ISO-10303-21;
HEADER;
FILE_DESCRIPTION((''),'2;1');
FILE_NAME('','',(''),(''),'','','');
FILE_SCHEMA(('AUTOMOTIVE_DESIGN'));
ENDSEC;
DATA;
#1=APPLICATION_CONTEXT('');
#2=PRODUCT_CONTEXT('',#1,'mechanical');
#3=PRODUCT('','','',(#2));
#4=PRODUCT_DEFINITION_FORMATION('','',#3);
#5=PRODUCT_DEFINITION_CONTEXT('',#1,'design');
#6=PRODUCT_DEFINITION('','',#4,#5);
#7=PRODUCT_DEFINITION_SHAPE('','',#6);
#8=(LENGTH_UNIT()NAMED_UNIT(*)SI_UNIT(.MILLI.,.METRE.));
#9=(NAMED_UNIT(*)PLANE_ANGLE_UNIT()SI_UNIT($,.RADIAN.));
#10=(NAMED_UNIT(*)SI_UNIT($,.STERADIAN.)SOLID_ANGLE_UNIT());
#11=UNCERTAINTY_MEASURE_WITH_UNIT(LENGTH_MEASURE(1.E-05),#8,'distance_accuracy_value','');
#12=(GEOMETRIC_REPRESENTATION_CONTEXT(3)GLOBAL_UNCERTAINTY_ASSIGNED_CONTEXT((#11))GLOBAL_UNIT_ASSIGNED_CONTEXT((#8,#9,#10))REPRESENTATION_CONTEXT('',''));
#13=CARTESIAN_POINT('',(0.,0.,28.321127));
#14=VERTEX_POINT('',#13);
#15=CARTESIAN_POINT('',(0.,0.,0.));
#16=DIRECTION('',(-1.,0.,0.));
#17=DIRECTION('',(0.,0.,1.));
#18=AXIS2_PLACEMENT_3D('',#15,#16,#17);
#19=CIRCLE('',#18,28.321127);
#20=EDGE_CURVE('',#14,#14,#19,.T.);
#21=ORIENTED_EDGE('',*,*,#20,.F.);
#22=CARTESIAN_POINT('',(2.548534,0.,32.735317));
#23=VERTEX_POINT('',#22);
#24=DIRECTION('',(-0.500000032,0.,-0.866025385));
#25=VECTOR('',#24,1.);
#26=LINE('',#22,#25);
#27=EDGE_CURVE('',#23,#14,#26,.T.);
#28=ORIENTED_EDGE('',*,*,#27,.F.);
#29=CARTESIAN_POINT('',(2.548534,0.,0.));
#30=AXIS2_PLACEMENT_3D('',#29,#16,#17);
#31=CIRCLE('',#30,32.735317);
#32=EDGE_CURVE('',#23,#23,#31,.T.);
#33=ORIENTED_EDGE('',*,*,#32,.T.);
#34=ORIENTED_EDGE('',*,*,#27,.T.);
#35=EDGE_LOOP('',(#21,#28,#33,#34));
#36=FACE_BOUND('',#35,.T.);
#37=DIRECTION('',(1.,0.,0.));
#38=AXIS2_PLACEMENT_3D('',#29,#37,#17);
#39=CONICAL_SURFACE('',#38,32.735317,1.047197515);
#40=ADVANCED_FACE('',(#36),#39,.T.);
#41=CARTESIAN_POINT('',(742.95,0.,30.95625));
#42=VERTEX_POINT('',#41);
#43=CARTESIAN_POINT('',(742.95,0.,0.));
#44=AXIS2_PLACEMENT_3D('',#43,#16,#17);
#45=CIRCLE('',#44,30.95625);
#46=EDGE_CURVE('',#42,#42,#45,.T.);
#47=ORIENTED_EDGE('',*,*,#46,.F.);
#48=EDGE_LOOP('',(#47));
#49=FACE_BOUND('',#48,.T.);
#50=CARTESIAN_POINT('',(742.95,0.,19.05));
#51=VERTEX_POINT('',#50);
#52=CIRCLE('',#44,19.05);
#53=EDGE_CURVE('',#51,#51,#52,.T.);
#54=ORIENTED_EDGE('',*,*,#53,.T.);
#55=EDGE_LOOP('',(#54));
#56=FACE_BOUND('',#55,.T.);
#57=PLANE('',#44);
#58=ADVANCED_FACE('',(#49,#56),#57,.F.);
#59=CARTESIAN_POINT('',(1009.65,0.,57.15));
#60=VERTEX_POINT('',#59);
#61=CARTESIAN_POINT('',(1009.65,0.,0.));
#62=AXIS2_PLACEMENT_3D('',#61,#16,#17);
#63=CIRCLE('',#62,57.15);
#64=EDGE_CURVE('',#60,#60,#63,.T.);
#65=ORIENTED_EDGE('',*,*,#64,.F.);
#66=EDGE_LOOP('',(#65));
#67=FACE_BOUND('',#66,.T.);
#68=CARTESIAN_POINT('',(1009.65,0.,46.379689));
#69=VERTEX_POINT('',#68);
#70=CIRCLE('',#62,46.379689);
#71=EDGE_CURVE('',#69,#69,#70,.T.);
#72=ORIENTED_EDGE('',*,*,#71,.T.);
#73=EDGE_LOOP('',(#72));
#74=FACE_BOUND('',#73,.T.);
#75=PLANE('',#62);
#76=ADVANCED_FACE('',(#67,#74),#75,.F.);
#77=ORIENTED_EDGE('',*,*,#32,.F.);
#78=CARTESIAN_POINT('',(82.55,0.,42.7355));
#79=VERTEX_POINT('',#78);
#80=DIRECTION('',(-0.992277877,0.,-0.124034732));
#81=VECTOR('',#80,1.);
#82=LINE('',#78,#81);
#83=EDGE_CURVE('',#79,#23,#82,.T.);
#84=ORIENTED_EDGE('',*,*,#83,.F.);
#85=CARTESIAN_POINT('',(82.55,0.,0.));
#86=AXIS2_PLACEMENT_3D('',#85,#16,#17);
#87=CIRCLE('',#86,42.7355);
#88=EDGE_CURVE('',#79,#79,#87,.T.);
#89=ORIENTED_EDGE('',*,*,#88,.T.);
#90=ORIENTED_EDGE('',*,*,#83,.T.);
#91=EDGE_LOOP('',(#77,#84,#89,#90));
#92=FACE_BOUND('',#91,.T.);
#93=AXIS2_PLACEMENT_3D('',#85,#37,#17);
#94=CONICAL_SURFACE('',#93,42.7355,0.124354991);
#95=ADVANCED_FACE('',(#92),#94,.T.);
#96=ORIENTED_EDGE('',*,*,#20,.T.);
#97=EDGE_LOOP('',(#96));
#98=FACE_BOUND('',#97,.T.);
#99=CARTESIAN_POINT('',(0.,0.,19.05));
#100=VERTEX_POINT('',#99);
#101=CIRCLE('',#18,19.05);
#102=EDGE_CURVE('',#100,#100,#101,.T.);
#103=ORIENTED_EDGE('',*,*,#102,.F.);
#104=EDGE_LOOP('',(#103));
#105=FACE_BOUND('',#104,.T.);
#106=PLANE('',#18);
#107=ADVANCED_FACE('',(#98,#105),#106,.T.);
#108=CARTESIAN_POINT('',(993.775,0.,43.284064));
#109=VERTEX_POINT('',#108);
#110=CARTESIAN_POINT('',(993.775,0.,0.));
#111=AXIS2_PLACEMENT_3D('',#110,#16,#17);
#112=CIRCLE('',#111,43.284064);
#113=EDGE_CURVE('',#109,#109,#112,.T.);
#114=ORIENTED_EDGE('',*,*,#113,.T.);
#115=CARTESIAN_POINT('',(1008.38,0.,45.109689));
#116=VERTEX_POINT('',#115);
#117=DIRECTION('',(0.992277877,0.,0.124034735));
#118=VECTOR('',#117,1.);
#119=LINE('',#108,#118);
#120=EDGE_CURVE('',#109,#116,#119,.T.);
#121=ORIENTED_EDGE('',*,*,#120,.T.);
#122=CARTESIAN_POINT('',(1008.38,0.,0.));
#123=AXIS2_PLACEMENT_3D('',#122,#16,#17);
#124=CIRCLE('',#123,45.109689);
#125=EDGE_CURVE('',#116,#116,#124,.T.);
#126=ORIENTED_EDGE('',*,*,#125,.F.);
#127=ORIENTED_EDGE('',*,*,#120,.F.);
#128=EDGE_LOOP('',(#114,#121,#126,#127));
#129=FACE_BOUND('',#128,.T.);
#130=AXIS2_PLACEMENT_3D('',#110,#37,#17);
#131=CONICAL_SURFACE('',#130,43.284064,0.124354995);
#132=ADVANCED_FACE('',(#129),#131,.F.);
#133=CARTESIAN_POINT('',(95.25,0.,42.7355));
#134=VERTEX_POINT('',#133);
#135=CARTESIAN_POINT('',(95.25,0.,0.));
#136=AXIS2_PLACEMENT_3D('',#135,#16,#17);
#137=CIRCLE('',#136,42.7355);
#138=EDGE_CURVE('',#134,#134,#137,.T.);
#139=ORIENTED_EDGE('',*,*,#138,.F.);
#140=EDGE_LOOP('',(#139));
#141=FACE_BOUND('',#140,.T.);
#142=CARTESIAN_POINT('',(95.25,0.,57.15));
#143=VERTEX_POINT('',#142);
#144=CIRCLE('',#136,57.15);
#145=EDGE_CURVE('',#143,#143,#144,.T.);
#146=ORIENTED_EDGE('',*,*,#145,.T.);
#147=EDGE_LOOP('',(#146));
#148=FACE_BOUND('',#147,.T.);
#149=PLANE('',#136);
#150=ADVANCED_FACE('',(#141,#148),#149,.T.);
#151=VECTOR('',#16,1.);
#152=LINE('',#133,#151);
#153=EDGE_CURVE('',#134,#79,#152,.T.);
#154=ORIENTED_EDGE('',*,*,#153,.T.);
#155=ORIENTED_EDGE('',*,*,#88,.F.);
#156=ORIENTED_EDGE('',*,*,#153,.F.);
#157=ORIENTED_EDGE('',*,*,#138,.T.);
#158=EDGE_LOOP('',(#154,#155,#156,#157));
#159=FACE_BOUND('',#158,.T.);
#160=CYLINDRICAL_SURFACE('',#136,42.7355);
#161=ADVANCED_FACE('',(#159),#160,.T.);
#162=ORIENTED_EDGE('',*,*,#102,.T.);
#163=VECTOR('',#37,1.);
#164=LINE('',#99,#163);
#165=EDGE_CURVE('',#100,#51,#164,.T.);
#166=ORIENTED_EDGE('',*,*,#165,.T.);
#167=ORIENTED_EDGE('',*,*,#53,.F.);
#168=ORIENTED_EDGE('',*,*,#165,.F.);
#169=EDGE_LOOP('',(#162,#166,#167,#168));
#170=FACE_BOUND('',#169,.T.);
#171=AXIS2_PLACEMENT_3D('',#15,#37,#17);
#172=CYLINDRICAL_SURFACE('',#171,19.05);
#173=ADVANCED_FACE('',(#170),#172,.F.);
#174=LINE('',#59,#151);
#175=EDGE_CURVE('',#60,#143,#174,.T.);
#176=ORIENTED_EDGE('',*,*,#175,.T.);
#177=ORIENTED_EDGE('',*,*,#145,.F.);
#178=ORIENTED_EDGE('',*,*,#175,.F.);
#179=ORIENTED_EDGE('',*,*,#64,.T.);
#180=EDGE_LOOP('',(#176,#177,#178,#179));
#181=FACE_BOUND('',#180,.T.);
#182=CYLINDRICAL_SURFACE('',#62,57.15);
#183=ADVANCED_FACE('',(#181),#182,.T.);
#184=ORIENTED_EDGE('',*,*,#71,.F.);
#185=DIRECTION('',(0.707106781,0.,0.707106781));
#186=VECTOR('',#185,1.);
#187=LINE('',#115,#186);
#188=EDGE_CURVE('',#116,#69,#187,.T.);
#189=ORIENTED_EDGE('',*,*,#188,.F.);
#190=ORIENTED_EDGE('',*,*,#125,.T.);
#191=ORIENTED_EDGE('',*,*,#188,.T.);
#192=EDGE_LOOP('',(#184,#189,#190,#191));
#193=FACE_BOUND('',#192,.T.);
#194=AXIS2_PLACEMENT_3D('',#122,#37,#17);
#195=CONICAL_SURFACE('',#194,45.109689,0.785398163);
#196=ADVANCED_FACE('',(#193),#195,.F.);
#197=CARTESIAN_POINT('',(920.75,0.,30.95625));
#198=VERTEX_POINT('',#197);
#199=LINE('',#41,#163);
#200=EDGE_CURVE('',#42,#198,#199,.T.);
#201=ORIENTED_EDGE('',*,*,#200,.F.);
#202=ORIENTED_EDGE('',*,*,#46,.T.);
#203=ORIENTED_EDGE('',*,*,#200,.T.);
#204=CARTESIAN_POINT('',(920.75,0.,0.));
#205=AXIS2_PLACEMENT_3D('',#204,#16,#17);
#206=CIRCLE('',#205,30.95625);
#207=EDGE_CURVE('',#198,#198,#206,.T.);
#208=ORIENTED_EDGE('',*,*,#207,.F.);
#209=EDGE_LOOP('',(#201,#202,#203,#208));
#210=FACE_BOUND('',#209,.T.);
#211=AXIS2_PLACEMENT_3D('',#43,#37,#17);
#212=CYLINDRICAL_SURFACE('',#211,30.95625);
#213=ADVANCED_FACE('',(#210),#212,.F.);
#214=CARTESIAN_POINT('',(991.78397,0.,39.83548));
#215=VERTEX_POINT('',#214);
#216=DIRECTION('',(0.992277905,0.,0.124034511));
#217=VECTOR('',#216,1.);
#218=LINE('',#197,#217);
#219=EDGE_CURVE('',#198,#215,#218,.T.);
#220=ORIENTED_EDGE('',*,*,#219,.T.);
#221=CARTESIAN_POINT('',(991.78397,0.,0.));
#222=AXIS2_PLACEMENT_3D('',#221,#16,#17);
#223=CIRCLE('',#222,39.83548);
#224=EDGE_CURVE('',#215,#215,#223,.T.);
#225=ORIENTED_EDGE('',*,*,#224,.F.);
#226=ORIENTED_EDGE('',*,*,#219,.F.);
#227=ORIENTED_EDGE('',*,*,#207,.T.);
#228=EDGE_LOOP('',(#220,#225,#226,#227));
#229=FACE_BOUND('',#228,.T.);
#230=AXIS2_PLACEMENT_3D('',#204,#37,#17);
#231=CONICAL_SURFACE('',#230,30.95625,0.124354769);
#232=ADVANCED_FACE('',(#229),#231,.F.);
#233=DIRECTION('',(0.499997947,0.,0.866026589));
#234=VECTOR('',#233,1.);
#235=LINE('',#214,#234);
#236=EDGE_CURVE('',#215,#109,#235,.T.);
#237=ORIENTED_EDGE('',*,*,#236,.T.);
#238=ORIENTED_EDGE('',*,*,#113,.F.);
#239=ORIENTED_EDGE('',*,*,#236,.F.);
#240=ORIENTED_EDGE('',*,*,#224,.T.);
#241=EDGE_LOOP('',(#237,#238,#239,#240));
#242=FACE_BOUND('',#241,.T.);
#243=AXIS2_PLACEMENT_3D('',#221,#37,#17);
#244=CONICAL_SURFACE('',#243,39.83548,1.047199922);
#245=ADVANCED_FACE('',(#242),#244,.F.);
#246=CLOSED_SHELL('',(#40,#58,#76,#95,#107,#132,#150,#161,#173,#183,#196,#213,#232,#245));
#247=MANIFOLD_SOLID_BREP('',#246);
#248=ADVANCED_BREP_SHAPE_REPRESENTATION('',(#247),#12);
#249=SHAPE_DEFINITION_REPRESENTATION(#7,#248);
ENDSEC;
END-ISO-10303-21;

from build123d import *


with BuildPart() as f1:
    # F0 (on Front) → F1 (revolve)
    with BuildSketch(Plane.XZ):
        Polygon((1008.38, 45.109689), (1009.65, 46.379689), (1009.65, 57.15), (920.75, 57.15), (101.6, 57.15), (95.25, 57.15), (95.25, 42.7355), (82.55, 42.7355), (2.548534, 32.735317), (0, 28.321127), (0, 19.05), (742.95, 19.05), (742.95, 30.95625), (920.75, 30.95625), (991.78397, 39.83548), (993.775, 43.284064), align=None)
    revolve(axis=Axis((504.825, 0, 0), (-1, 0, 0)))


solid = f1.part
